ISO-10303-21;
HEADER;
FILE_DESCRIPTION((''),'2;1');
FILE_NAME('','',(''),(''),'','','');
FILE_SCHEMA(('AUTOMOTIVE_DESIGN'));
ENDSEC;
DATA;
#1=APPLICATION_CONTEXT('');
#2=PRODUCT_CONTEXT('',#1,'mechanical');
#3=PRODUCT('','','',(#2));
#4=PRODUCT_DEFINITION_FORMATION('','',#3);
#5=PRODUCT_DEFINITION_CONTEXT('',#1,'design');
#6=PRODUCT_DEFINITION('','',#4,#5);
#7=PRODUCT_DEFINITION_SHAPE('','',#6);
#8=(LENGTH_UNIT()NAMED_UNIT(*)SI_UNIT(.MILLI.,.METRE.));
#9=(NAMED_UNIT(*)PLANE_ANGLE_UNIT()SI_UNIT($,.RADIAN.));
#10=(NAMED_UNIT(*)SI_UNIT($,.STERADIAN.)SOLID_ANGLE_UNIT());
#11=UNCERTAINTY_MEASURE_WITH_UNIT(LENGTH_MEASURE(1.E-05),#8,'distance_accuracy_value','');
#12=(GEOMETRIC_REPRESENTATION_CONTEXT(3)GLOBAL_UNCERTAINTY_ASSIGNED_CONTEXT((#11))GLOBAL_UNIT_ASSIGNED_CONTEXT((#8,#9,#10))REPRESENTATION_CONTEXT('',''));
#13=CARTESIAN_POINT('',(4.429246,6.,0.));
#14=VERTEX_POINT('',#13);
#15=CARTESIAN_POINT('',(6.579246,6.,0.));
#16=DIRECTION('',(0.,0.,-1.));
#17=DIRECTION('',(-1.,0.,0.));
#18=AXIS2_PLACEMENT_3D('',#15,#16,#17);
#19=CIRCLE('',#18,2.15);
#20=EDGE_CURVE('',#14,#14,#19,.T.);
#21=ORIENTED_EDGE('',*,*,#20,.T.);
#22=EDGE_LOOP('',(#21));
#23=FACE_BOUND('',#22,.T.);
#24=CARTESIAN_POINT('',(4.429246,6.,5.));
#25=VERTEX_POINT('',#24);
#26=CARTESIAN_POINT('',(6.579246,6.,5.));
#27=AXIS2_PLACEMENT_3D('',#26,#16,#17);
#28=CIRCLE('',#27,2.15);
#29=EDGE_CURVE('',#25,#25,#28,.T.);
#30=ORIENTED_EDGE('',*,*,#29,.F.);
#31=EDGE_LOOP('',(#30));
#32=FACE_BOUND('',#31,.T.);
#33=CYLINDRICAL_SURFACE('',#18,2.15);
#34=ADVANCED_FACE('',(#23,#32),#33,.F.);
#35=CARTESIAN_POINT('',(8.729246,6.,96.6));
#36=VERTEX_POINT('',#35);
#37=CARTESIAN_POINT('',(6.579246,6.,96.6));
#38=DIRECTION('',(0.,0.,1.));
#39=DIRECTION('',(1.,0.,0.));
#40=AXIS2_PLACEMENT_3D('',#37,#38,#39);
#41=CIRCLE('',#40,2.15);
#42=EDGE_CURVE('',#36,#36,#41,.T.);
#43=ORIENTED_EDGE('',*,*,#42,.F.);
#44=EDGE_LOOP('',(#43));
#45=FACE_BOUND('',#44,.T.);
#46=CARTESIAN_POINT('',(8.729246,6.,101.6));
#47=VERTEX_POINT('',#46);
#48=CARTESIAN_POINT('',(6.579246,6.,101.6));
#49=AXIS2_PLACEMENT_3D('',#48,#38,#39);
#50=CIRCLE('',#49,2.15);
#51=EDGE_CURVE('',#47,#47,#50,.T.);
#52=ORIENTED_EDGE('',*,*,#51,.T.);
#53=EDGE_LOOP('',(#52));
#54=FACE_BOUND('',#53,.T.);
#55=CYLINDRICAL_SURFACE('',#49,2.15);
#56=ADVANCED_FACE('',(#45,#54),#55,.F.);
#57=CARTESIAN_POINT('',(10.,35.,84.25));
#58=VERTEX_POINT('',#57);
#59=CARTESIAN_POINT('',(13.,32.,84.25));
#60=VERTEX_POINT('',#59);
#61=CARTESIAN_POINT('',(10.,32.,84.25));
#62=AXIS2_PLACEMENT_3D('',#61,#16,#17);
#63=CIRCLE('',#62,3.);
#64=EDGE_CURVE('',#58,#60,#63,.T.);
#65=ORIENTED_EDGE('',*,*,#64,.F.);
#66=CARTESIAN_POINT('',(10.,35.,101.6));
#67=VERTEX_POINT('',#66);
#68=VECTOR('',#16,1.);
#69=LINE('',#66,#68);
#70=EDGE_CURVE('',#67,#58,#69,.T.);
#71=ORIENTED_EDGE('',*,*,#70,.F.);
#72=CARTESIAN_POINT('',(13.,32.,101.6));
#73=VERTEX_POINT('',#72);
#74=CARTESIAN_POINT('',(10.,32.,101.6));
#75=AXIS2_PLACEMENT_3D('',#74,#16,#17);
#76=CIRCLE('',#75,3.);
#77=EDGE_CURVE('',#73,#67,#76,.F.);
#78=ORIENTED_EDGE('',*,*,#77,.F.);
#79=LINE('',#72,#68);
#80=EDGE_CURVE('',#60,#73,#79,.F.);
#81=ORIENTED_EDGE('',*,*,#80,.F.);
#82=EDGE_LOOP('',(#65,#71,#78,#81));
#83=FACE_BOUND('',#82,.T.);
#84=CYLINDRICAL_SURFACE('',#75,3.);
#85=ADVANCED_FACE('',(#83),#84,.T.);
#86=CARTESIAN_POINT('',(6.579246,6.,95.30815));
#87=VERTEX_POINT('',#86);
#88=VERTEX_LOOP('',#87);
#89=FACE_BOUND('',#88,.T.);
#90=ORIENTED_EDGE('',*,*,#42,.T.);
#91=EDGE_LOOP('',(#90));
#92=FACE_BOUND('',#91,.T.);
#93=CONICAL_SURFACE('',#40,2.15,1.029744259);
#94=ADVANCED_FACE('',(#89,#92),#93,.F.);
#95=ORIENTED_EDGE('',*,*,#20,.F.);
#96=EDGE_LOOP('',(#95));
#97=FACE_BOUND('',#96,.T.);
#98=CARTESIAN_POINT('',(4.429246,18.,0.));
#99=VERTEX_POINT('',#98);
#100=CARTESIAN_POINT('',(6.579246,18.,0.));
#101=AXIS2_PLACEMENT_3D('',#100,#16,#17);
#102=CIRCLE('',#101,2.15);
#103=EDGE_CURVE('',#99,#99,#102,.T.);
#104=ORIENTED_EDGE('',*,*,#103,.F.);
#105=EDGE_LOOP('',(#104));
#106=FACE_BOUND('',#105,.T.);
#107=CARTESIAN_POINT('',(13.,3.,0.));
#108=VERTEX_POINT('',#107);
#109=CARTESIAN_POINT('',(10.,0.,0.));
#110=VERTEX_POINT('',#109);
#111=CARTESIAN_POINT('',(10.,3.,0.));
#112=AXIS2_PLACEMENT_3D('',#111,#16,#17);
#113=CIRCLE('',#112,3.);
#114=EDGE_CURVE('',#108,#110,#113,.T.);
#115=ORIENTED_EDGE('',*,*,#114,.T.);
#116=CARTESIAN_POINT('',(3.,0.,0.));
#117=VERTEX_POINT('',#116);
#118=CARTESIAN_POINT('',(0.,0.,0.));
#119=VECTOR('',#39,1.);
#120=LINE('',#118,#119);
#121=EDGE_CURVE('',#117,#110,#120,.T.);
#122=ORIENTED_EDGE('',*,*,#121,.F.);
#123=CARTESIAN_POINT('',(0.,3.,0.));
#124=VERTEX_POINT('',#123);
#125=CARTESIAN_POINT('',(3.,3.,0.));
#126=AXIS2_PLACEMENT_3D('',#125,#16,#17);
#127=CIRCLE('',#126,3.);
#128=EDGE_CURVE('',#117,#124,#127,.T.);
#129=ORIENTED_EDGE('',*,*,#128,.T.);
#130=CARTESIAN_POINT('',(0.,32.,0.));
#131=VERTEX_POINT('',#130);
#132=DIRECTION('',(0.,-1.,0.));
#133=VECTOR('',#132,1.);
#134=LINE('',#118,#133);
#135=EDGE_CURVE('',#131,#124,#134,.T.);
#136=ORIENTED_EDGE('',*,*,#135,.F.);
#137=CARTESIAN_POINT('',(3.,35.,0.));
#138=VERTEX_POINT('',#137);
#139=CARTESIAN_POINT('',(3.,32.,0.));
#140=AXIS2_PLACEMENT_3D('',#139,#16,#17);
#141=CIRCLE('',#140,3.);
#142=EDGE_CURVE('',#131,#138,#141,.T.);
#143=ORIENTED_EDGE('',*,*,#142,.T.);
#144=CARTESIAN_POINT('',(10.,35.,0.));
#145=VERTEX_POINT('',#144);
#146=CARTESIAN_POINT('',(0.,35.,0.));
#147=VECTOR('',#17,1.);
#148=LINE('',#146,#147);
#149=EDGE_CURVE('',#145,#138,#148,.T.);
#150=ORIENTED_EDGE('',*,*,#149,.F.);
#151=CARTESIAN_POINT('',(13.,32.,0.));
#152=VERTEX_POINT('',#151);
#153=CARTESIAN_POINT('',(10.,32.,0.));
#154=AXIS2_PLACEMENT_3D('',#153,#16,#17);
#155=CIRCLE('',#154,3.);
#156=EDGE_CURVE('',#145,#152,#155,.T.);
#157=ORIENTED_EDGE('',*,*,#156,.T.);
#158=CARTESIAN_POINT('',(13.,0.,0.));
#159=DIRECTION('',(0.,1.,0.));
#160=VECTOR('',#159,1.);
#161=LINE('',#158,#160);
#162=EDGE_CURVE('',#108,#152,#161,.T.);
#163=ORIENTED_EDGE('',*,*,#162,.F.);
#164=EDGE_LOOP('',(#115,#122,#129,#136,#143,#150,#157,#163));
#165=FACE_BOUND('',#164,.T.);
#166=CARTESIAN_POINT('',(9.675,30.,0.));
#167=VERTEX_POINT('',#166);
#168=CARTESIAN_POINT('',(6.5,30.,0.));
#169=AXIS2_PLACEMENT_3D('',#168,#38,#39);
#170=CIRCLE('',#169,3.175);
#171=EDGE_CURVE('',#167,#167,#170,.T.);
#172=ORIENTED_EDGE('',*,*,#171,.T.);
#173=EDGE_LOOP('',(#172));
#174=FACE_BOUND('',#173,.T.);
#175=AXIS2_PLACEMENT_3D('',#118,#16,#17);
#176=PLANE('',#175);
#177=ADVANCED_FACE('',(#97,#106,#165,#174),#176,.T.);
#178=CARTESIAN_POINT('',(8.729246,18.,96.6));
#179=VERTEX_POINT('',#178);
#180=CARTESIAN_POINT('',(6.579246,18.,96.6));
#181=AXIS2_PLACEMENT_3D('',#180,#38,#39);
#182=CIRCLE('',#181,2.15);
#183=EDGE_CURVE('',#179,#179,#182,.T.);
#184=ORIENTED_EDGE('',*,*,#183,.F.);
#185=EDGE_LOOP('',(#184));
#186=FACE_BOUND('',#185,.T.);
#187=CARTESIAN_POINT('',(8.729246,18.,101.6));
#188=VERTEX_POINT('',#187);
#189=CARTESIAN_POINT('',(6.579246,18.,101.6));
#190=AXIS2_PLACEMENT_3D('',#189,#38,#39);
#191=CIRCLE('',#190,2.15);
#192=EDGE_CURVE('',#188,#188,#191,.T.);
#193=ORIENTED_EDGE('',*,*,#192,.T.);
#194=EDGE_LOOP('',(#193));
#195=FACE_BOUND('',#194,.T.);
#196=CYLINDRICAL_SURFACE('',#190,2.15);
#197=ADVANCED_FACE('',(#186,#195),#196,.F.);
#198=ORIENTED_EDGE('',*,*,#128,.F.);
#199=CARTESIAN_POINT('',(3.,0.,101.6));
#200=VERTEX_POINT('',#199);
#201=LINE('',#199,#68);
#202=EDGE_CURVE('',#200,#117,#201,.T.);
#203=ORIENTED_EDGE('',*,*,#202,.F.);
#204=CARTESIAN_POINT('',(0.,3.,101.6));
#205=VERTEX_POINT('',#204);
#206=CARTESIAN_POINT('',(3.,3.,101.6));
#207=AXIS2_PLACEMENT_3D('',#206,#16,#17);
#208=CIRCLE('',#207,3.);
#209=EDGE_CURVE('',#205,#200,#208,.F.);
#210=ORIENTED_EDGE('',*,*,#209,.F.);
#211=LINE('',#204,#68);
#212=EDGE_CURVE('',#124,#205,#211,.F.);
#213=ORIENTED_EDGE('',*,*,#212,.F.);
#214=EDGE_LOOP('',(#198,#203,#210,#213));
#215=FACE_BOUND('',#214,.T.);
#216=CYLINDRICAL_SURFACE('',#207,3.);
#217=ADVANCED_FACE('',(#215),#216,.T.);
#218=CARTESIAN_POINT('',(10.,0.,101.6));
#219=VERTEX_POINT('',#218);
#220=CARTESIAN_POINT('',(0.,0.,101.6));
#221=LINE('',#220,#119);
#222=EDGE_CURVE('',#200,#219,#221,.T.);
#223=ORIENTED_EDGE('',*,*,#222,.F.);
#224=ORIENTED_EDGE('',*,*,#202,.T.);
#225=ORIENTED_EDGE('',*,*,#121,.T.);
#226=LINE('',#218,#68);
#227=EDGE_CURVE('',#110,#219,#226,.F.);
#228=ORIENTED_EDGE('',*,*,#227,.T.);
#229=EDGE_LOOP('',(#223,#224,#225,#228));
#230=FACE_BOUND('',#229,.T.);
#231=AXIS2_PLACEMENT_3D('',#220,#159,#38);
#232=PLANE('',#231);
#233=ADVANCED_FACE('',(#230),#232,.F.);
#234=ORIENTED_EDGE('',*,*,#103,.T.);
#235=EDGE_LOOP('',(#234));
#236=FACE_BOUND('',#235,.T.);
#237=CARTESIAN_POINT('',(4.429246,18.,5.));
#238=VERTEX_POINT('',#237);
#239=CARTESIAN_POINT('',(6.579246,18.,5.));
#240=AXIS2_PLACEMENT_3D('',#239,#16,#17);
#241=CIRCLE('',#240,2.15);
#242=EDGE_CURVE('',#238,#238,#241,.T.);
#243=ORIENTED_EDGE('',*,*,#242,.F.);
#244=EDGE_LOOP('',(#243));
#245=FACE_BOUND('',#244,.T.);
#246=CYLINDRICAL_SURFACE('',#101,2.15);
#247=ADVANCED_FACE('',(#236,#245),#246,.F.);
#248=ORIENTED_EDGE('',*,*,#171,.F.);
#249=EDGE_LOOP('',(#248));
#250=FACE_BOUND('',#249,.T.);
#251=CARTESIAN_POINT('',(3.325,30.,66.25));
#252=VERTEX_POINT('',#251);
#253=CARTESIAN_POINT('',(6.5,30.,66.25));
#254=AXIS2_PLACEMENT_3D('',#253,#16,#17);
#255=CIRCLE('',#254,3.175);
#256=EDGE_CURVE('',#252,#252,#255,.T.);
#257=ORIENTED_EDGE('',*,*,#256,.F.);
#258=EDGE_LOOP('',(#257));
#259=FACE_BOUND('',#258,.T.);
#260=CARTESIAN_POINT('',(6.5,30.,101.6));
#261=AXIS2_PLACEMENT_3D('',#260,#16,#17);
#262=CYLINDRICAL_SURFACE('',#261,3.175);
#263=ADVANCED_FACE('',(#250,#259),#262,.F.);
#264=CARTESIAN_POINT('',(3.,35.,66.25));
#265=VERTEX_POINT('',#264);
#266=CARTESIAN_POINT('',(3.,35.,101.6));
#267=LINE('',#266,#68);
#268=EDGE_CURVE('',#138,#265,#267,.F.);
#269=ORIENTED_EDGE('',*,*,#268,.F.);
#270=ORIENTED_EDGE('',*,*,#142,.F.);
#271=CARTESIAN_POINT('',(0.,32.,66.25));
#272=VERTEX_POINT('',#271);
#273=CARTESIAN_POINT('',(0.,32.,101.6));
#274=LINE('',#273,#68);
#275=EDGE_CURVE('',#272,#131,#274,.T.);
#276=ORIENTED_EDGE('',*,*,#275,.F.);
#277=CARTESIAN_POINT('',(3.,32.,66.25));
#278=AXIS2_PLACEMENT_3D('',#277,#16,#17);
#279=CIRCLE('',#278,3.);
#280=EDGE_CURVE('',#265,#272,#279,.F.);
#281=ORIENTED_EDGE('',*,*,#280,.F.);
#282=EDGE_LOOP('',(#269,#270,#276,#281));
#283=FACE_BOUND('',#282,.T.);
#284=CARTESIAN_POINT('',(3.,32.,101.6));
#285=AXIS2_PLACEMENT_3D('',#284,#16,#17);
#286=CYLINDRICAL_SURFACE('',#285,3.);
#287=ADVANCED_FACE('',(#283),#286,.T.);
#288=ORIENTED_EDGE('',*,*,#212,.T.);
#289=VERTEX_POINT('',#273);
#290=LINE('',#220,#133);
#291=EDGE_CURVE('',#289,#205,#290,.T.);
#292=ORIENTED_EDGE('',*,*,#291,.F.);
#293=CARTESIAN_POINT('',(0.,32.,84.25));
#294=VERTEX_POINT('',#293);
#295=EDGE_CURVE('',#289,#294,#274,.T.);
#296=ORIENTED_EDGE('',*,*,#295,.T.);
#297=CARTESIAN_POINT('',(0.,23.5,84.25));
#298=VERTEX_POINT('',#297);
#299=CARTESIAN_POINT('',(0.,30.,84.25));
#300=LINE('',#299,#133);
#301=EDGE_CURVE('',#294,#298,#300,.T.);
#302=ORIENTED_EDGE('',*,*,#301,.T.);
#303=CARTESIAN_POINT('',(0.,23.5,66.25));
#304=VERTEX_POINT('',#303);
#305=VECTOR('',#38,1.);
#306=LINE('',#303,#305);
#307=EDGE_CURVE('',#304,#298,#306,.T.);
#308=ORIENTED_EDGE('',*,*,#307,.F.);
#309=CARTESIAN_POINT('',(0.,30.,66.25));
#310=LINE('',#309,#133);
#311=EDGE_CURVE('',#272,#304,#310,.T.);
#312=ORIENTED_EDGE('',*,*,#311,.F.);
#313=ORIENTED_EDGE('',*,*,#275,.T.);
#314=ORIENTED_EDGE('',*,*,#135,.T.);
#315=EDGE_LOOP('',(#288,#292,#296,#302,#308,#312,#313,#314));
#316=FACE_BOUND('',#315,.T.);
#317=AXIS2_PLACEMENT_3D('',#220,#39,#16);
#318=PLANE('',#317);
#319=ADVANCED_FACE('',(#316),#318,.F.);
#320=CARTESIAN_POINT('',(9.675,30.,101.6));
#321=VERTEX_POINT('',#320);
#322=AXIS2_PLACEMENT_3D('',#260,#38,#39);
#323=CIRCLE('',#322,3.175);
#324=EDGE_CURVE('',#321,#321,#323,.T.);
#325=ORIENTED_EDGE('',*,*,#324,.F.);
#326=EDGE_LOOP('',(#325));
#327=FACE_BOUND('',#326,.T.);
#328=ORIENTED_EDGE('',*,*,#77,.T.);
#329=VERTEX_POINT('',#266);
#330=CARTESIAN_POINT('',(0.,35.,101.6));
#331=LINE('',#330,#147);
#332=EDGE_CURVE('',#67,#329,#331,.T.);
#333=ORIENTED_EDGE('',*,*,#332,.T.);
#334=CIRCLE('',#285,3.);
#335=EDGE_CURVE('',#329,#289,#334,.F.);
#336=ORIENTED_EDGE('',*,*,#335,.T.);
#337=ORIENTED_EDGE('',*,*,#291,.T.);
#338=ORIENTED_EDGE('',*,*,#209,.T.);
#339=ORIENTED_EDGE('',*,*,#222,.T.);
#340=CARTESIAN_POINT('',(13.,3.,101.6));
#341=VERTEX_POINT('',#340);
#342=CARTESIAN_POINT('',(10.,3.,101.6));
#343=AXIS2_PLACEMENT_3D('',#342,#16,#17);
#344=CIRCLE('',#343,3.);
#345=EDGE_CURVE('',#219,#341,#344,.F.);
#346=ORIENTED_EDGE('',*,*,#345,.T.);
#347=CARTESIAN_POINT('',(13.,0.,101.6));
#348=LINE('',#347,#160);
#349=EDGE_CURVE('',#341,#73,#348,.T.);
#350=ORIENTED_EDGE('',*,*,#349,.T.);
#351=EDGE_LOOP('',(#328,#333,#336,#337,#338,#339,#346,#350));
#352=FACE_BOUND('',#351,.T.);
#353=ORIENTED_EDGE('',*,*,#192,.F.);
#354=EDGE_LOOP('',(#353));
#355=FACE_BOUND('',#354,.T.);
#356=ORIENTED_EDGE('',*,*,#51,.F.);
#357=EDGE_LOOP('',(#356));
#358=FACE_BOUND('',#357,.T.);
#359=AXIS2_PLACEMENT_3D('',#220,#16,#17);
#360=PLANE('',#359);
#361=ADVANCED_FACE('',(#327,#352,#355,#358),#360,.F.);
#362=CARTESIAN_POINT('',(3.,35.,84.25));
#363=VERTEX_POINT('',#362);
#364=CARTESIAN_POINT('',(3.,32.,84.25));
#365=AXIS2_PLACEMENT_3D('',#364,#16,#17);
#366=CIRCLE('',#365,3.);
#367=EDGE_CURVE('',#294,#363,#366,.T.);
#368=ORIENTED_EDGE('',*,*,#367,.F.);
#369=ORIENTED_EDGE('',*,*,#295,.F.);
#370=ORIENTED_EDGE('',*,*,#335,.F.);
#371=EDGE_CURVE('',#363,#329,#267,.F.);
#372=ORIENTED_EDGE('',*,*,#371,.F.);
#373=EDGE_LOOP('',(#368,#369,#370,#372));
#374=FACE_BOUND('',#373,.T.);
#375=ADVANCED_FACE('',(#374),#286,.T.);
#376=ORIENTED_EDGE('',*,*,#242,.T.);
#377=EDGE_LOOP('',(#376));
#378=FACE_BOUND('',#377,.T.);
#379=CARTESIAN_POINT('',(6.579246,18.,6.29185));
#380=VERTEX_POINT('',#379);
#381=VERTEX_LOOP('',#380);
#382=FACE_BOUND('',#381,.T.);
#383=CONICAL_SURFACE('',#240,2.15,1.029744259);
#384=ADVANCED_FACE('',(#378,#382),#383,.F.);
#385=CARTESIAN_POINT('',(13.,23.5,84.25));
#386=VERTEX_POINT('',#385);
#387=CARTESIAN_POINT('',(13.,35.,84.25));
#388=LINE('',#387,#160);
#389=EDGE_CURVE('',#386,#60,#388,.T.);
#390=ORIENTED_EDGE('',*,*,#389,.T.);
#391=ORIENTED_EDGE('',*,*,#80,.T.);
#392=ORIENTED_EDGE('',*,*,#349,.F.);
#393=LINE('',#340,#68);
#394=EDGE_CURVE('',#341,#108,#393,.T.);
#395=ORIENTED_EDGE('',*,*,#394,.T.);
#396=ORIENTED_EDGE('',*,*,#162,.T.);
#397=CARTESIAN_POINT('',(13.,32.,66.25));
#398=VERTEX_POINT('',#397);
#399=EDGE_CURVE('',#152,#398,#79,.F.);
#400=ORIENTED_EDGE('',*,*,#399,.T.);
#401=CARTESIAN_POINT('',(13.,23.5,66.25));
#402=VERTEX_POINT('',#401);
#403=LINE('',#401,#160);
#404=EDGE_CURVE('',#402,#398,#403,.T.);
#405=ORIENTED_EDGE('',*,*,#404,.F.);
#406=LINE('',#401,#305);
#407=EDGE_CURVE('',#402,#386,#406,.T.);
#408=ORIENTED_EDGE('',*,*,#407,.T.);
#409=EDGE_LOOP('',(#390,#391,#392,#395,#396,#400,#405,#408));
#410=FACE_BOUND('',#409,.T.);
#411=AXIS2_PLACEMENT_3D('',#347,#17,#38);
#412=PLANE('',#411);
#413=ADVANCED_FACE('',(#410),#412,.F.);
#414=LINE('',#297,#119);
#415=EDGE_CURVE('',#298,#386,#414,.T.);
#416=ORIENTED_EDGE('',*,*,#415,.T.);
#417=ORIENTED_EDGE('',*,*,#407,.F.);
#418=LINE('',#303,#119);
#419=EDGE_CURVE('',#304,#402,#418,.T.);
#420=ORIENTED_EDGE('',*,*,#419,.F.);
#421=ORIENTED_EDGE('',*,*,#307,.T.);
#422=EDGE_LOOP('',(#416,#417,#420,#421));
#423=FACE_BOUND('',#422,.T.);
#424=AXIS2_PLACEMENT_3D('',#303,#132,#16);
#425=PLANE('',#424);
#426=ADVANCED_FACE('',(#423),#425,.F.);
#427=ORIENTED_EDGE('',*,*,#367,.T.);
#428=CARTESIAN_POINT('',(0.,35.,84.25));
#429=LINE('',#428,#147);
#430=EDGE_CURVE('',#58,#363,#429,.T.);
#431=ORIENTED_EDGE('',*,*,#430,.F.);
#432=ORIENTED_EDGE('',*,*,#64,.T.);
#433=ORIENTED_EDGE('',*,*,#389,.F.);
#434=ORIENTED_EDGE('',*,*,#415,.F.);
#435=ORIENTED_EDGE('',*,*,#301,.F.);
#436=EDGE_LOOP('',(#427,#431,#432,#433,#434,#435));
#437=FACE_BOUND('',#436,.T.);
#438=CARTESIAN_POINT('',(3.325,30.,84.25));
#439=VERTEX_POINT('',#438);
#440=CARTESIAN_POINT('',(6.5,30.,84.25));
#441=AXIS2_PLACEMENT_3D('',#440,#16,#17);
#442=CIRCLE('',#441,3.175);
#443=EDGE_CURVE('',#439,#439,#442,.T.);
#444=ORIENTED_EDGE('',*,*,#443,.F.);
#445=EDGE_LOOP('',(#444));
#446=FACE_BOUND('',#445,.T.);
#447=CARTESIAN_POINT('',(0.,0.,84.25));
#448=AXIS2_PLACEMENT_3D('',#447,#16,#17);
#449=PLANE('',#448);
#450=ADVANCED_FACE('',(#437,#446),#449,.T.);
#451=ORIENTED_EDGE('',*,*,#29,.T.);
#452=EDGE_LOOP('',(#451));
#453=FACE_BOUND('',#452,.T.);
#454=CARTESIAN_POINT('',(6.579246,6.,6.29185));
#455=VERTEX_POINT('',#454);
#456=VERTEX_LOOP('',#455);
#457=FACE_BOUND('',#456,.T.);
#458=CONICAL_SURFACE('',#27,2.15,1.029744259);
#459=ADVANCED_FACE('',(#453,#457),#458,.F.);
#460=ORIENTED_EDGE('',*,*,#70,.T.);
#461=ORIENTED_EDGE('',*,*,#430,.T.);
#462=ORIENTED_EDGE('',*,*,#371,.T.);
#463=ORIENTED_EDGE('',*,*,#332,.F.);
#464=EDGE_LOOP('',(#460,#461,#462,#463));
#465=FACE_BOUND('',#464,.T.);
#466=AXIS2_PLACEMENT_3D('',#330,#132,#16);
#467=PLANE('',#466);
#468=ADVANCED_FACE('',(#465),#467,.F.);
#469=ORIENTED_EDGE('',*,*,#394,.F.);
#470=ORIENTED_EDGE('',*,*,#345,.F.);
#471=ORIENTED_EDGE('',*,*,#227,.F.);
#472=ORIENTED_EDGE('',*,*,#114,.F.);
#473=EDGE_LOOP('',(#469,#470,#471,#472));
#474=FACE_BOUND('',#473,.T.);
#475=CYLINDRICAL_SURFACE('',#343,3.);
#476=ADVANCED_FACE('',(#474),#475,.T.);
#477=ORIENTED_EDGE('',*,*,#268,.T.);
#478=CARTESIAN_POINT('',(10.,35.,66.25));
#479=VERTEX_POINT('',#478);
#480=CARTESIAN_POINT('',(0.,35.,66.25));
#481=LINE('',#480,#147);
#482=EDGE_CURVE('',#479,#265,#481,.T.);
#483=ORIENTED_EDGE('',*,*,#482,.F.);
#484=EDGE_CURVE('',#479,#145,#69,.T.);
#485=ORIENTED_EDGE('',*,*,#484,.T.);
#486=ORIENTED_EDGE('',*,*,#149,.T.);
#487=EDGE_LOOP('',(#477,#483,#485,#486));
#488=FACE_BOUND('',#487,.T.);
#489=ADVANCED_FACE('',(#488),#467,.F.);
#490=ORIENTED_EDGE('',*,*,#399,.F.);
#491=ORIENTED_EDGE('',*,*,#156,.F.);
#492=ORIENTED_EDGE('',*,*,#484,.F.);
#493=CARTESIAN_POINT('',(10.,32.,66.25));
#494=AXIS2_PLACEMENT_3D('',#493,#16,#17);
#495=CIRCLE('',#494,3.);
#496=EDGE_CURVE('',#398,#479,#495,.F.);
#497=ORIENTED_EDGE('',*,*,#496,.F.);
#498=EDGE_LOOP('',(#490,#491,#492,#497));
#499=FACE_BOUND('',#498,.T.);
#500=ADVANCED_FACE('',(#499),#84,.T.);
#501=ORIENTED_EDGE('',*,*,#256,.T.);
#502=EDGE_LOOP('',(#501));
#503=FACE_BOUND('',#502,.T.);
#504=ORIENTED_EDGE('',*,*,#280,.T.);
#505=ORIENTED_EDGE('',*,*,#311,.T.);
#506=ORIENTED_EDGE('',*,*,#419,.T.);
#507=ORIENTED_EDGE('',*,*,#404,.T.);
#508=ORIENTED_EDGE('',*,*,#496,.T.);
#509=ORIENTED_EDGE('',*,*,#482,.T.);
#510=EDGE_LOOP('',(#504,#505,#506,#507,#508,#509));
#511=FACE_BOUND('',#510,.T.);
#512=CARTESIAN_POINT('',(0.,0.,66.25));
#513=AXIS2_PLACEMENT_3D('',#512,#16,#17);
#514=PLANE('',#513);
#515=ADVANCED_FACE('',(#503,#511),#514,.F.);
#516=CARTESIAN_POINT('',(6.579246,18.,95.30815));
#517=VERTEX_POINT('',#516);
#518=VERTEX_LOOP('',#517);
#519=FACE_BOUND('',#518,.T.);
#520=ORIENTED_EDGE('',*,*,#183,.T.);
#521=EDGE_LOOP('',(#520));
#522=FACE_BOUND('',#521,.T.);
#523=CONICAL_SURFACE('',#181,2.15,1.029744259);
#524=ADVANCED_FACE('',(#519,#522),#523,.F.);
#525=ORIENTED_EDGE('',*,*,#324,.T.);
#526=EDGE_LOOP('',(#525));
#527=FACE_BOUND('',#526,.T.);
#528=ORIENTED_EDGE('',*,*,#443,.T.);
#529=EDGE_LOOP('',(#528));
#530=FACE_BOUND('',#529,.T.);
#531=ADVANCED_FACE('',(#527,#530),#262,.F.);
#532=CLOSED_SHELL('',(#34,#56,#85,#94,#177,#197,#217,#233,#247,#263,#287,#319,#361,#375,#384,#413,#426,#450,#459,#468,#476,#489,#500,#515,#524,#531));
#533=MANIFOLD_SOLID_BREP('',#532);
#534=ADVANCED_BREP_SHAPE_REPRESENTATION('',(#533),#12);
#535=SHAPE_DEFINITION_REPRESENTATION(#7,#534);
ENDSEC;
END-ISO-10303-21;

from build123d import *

# Parameters (mm, degrees)
SKETCH1_W                = 13
SKETCH1_H                = 35
SKETCH1_R                = 3.175
BOSS_EXTRUDE1_DEPTH      = 101.6
CUT_EXTRUDE1_DEPTH       = 9
M4_CLEARANCE_HOLE1_D     = 4.3
M4_CLEARANCE_HOLE1_DEPTH = 5
M4_CLEARANCE_HOLE1_TIP   = 1.291850331
M4_CLEARANCE_HOLE2_D     = 4.3
M4_CLEARANCE_HOLE2_DEPTH = 5
M4_CLEARANCE_HOLE2_TIP   = 1.291850331
FILLET1_R                = 3


with BuildPart() as part:
    # Sketch1 → Boss-Extrude1 (new body)
    with BuildSketch(Plane.XY):
        with Locations((6.5, 17.5)):
            Rectangle(SKETCH1_W, SKETCH1_H)
        with Locations((6.5, 30)):
            Circle(SKETCH1_R, mode=Mode.SUBTRACT)
    extrude(amount=BOSS_EXTRUDE1_DEPTH)

    # Sketch2 → Cut-Extrude1 (cut, symmetric)
    with BuildSketch(Plane.XY.offset(75.25)):
        Polygon((0, 30), (0, 35), (13, 35), (13, 30), (13, 23.5), (0, 23.5), align=None)
    extrude(amount=CUT_EXTRUDE1_DEPTH, both=True, mode=Mode.SUBTRACT)

    # M4 Clearance Hole1
    with Locations(Plane(origin=(0, 0, 0), x_dir=(-1, 0, 0), z_dir=(0, 0, -1))):
        with Locations((-6.579246302, 18), (-6.579246302, 6)):
            Hole(M4_CLEARANCE_HOLE1_D / 2, depth=M4_CLEARANCE_HOLE1_DEPTH)
            with Locations((0, 0, -(M4_CLEARANCE_HOLE1_DEPTH + M4_CLEARANCE_HOLE1_TIP / 2))):  # 118° drill point
                Cone(0, M4_CLEARANCE_HOLE1_D / 2, M4_CLEARANCE_HOLE1_TIP, mode=Mode.SUBTRACT)

    # M4 Clearance Hole2
    with Locations(Plane.XY.offset(101.6)):
        with Locations((6.579246302, 18), (6.579246302, 6)):
            Hole(M4_CLEARANCE_HOLE2_D / 2, depth=M4_CLEARANCE_HOLE2_DEPTH)
            with Locations((0, 0, -(M4_CLEARANCE_HOLE2_DEPTH + M4_CLEARANCE_HOLE2_TIP / 2))):  # 118° drill point
                Cone(0, M4_CLEARANCE_HOLE2_D / 2, M4_CLEARANCE_HOLE2_TIP, mode=Mode.SUBTRACT)

    # Fillet1
    fillet1_edges = [part.edges().sort_by_distance(p)[0] for p in [
        (0, 35, 33.125),
        (13, 35, 33.125),
        (0, 35, 92.925),
        (13, 35, 92.925),
        (13, 0, 50.8),
        (0, 0, 50.8),
    ]]
    fillet(fillet1_edges, radius=FILLET1_R)


solid = part.part
